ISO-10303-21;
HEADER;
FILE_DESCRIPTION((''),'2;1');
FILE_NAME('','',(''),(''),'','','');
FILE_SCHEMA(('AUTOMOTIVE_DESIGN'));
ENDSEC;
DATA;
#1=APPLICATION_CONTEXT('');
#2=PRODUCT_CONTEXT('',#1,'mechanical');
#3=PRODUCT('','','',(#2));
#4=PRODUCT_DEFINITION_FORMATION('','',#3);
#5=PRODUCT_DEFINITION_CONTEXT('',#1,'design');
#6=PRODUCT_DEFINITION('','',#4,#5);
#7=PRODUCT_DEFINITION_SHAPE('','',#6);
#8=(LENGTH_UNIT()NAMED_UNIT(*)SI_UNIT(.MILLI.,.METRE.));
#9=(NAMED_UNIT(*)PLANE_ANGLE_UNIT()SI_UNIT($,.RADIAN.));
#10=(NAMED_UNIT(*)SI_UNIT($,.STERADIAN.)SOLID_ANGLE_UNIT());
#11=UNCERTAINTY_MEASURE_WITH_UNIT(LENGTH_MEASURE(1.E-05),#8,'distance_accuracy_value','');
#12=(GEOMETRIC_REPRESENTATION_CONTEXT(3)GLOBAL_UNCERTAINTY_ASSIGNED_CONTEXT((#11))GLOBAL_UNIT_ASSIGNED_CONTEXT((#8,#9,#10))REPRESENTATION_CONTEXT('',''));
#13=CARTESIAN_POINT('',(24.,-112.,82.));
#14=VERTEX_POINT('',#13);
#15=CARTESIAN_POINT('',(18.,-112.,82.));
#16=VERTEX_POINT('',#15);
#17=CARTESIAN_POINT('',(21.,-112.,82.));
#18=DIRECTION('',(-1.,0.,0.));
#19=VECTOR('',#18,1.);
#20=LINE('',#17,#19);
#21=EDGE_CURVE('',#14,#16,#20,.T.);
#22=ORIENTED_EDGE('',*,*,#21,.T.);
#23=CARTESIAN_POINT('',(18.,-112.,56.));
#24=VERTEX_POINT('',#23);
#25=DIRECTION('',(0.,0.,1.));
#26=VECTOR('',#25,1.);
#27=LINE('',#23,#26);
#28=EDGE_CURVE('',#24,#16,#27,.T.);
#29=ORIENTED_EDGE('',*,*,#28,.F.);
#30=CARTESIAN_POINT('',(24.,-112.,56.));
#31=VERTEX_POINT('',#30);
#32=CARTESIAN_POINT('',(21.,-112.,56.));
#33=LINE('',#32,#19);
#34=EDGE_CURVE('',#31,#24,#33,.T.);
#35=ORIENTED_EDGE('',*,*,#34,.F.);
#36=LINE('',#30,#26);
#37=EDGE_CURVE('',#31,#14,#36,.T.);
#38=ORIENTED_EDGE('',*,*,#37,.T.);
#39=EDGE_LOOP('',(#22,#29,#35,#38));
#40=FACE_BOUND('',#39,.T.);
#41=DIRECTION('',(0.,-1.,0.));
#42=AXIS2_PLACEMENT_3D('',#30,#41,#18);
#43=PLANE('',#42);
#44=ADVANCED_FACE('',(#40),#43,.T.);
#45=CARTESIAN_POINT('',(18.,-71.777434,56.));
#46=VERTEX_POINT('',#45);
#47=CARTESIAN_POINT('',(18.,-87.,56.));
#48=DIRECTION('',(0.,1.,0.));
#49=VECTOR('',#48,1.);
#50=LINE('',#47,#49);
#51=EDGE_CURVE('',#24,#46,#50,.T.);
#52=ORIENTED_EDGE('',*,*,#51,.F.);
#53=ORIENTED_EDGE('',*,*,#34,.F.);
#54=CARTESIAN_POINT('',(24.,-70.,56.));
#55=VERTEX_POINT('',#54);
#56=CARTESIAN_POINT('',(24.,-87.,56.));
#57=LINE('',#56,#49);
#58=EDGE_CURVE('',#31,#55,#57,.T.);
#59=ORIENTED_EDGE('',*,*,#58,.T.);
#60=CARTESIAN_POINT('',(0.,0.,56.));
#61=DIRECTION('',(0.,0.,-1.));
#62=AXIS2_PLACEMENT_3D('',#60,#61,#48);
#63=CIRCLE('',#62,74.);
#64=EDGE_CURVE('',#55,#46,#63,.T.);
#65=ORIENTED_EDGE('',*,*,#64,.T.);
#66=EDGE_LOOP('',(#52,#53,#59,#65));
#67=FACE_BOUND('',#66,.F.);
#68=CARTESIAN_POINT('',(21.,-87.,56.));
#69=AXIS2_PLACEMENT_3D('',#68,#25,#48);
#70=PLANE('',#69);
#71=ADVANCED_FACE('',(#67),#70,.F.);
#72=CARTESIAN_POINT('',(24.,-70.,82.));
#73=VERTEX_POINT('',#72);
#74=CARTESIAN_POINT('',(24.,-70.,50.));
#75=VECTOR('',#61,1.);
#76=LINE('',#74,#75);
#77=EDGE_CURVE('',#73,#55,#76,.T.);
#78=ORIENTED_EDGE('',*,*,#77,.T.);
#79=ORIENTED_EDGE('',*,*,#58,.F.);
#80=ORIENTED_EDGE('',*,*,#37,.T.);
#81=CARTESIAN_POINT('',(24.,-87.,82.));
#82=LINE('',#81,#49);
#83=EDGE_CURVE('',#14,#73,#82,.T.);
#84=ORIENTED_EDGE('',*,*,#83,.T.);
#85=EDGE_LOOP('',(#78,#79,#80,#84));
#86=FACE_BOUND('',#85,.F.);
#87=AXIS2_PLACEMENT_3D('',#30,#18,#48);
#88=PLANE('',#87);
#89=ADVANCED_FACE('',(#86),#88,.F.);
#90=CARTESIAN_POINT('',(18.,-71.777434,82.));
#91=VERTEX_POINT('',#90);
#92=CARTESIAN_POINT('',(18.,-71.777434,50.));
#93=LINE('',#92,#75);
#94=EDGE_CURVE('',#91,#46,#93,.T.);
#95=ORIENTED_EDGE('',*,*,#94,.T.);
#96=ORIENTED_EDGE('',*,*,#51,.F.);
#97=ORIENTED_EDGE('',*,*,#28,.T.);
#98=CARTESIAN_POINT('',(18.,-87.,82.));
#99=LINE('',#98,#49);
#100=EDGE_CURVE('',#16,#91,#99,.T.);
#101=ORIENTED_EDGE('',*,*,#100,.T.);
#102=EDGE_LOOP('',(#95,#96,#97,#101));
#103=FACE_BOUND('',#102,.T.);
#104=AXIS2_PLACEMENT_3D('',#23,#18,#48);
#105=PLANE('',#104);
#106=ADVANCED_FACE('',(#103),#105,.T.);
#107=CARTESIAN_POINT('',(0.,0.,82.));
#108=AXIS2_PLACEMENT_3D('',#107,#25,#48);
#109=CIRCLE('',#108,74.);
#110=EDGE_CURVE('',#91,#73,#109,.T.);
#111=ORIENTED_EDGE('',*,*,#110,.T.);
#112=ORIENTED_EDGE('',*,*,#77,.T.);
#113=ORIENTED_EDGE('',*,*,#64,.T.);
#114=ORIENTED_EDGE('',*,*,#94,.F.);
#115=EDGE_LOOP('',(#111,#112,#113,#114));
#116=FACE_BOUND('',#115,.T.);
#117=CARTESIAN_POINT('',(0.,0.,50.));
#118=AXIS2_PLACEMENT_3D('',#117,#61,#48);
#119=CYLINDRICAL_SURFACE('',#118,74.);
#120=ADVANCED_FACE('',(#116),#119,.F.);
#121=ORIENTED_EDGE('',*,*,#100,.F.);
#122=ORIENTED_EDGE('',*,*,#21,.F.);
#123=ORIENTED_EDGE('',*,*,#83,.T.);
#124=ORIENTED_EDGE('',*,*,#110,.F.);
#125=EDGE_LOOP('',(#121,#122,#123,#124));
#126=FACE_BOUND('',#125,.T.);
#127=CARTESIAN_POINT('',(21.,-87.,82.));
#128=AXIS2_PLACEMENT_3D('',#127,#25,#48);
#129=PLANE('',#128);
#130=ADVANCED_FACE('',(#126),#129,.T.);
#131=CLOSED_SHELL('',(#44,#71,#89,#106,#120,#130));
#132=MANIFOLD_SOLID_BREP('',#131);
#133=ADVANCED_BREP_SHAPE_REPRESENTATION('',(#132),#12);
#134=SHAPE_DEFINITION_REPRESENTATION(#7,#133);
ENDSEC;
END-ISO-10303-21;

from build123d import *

# Parameters (mm, degrees)
CYLINDER964_R          = 74
CYLINDER964_DEPTH      = 32
BOX476_W               = 50
BOX476_H               = 6
BOX476_DEPTH           = 26
CUT443_PLACEMENT_ANGLE = 90


with BuildPart() as v_lec964:
    # Cylinder964 → Cylinder964 (new body)
    with BuildSketch(Plane.XY.offset(50)):
        Circle(CYLINDER964_R)
    extrude(amount=CYLINDER964_DEPTH)


with BuildPart() as cut443:
    # Box476 → Box476 (new body)
    with BuildSketch(Plane(origin=(-112, -24, 56), x_dir=(1, 0, 0), z_dir=(0, 0, 1))):
        with Locations((25, 3)):
            Rectangle(BOX476_W, BOX476_H)
    extrude(amount=BOX476_DEPTH)

    # Cut443: cut Válec964
    add(v_lec964.part, mode=Mode.SUBTRACT)


with BuildPart() as cut443_1:
    # Cut443 placement: moved
    add(cut443.part.rotate(Axis((0, 0, 0), (0, 0, 1)), CUT443_PLACEMENT_ANGLE))


solid = cut443_1.part
